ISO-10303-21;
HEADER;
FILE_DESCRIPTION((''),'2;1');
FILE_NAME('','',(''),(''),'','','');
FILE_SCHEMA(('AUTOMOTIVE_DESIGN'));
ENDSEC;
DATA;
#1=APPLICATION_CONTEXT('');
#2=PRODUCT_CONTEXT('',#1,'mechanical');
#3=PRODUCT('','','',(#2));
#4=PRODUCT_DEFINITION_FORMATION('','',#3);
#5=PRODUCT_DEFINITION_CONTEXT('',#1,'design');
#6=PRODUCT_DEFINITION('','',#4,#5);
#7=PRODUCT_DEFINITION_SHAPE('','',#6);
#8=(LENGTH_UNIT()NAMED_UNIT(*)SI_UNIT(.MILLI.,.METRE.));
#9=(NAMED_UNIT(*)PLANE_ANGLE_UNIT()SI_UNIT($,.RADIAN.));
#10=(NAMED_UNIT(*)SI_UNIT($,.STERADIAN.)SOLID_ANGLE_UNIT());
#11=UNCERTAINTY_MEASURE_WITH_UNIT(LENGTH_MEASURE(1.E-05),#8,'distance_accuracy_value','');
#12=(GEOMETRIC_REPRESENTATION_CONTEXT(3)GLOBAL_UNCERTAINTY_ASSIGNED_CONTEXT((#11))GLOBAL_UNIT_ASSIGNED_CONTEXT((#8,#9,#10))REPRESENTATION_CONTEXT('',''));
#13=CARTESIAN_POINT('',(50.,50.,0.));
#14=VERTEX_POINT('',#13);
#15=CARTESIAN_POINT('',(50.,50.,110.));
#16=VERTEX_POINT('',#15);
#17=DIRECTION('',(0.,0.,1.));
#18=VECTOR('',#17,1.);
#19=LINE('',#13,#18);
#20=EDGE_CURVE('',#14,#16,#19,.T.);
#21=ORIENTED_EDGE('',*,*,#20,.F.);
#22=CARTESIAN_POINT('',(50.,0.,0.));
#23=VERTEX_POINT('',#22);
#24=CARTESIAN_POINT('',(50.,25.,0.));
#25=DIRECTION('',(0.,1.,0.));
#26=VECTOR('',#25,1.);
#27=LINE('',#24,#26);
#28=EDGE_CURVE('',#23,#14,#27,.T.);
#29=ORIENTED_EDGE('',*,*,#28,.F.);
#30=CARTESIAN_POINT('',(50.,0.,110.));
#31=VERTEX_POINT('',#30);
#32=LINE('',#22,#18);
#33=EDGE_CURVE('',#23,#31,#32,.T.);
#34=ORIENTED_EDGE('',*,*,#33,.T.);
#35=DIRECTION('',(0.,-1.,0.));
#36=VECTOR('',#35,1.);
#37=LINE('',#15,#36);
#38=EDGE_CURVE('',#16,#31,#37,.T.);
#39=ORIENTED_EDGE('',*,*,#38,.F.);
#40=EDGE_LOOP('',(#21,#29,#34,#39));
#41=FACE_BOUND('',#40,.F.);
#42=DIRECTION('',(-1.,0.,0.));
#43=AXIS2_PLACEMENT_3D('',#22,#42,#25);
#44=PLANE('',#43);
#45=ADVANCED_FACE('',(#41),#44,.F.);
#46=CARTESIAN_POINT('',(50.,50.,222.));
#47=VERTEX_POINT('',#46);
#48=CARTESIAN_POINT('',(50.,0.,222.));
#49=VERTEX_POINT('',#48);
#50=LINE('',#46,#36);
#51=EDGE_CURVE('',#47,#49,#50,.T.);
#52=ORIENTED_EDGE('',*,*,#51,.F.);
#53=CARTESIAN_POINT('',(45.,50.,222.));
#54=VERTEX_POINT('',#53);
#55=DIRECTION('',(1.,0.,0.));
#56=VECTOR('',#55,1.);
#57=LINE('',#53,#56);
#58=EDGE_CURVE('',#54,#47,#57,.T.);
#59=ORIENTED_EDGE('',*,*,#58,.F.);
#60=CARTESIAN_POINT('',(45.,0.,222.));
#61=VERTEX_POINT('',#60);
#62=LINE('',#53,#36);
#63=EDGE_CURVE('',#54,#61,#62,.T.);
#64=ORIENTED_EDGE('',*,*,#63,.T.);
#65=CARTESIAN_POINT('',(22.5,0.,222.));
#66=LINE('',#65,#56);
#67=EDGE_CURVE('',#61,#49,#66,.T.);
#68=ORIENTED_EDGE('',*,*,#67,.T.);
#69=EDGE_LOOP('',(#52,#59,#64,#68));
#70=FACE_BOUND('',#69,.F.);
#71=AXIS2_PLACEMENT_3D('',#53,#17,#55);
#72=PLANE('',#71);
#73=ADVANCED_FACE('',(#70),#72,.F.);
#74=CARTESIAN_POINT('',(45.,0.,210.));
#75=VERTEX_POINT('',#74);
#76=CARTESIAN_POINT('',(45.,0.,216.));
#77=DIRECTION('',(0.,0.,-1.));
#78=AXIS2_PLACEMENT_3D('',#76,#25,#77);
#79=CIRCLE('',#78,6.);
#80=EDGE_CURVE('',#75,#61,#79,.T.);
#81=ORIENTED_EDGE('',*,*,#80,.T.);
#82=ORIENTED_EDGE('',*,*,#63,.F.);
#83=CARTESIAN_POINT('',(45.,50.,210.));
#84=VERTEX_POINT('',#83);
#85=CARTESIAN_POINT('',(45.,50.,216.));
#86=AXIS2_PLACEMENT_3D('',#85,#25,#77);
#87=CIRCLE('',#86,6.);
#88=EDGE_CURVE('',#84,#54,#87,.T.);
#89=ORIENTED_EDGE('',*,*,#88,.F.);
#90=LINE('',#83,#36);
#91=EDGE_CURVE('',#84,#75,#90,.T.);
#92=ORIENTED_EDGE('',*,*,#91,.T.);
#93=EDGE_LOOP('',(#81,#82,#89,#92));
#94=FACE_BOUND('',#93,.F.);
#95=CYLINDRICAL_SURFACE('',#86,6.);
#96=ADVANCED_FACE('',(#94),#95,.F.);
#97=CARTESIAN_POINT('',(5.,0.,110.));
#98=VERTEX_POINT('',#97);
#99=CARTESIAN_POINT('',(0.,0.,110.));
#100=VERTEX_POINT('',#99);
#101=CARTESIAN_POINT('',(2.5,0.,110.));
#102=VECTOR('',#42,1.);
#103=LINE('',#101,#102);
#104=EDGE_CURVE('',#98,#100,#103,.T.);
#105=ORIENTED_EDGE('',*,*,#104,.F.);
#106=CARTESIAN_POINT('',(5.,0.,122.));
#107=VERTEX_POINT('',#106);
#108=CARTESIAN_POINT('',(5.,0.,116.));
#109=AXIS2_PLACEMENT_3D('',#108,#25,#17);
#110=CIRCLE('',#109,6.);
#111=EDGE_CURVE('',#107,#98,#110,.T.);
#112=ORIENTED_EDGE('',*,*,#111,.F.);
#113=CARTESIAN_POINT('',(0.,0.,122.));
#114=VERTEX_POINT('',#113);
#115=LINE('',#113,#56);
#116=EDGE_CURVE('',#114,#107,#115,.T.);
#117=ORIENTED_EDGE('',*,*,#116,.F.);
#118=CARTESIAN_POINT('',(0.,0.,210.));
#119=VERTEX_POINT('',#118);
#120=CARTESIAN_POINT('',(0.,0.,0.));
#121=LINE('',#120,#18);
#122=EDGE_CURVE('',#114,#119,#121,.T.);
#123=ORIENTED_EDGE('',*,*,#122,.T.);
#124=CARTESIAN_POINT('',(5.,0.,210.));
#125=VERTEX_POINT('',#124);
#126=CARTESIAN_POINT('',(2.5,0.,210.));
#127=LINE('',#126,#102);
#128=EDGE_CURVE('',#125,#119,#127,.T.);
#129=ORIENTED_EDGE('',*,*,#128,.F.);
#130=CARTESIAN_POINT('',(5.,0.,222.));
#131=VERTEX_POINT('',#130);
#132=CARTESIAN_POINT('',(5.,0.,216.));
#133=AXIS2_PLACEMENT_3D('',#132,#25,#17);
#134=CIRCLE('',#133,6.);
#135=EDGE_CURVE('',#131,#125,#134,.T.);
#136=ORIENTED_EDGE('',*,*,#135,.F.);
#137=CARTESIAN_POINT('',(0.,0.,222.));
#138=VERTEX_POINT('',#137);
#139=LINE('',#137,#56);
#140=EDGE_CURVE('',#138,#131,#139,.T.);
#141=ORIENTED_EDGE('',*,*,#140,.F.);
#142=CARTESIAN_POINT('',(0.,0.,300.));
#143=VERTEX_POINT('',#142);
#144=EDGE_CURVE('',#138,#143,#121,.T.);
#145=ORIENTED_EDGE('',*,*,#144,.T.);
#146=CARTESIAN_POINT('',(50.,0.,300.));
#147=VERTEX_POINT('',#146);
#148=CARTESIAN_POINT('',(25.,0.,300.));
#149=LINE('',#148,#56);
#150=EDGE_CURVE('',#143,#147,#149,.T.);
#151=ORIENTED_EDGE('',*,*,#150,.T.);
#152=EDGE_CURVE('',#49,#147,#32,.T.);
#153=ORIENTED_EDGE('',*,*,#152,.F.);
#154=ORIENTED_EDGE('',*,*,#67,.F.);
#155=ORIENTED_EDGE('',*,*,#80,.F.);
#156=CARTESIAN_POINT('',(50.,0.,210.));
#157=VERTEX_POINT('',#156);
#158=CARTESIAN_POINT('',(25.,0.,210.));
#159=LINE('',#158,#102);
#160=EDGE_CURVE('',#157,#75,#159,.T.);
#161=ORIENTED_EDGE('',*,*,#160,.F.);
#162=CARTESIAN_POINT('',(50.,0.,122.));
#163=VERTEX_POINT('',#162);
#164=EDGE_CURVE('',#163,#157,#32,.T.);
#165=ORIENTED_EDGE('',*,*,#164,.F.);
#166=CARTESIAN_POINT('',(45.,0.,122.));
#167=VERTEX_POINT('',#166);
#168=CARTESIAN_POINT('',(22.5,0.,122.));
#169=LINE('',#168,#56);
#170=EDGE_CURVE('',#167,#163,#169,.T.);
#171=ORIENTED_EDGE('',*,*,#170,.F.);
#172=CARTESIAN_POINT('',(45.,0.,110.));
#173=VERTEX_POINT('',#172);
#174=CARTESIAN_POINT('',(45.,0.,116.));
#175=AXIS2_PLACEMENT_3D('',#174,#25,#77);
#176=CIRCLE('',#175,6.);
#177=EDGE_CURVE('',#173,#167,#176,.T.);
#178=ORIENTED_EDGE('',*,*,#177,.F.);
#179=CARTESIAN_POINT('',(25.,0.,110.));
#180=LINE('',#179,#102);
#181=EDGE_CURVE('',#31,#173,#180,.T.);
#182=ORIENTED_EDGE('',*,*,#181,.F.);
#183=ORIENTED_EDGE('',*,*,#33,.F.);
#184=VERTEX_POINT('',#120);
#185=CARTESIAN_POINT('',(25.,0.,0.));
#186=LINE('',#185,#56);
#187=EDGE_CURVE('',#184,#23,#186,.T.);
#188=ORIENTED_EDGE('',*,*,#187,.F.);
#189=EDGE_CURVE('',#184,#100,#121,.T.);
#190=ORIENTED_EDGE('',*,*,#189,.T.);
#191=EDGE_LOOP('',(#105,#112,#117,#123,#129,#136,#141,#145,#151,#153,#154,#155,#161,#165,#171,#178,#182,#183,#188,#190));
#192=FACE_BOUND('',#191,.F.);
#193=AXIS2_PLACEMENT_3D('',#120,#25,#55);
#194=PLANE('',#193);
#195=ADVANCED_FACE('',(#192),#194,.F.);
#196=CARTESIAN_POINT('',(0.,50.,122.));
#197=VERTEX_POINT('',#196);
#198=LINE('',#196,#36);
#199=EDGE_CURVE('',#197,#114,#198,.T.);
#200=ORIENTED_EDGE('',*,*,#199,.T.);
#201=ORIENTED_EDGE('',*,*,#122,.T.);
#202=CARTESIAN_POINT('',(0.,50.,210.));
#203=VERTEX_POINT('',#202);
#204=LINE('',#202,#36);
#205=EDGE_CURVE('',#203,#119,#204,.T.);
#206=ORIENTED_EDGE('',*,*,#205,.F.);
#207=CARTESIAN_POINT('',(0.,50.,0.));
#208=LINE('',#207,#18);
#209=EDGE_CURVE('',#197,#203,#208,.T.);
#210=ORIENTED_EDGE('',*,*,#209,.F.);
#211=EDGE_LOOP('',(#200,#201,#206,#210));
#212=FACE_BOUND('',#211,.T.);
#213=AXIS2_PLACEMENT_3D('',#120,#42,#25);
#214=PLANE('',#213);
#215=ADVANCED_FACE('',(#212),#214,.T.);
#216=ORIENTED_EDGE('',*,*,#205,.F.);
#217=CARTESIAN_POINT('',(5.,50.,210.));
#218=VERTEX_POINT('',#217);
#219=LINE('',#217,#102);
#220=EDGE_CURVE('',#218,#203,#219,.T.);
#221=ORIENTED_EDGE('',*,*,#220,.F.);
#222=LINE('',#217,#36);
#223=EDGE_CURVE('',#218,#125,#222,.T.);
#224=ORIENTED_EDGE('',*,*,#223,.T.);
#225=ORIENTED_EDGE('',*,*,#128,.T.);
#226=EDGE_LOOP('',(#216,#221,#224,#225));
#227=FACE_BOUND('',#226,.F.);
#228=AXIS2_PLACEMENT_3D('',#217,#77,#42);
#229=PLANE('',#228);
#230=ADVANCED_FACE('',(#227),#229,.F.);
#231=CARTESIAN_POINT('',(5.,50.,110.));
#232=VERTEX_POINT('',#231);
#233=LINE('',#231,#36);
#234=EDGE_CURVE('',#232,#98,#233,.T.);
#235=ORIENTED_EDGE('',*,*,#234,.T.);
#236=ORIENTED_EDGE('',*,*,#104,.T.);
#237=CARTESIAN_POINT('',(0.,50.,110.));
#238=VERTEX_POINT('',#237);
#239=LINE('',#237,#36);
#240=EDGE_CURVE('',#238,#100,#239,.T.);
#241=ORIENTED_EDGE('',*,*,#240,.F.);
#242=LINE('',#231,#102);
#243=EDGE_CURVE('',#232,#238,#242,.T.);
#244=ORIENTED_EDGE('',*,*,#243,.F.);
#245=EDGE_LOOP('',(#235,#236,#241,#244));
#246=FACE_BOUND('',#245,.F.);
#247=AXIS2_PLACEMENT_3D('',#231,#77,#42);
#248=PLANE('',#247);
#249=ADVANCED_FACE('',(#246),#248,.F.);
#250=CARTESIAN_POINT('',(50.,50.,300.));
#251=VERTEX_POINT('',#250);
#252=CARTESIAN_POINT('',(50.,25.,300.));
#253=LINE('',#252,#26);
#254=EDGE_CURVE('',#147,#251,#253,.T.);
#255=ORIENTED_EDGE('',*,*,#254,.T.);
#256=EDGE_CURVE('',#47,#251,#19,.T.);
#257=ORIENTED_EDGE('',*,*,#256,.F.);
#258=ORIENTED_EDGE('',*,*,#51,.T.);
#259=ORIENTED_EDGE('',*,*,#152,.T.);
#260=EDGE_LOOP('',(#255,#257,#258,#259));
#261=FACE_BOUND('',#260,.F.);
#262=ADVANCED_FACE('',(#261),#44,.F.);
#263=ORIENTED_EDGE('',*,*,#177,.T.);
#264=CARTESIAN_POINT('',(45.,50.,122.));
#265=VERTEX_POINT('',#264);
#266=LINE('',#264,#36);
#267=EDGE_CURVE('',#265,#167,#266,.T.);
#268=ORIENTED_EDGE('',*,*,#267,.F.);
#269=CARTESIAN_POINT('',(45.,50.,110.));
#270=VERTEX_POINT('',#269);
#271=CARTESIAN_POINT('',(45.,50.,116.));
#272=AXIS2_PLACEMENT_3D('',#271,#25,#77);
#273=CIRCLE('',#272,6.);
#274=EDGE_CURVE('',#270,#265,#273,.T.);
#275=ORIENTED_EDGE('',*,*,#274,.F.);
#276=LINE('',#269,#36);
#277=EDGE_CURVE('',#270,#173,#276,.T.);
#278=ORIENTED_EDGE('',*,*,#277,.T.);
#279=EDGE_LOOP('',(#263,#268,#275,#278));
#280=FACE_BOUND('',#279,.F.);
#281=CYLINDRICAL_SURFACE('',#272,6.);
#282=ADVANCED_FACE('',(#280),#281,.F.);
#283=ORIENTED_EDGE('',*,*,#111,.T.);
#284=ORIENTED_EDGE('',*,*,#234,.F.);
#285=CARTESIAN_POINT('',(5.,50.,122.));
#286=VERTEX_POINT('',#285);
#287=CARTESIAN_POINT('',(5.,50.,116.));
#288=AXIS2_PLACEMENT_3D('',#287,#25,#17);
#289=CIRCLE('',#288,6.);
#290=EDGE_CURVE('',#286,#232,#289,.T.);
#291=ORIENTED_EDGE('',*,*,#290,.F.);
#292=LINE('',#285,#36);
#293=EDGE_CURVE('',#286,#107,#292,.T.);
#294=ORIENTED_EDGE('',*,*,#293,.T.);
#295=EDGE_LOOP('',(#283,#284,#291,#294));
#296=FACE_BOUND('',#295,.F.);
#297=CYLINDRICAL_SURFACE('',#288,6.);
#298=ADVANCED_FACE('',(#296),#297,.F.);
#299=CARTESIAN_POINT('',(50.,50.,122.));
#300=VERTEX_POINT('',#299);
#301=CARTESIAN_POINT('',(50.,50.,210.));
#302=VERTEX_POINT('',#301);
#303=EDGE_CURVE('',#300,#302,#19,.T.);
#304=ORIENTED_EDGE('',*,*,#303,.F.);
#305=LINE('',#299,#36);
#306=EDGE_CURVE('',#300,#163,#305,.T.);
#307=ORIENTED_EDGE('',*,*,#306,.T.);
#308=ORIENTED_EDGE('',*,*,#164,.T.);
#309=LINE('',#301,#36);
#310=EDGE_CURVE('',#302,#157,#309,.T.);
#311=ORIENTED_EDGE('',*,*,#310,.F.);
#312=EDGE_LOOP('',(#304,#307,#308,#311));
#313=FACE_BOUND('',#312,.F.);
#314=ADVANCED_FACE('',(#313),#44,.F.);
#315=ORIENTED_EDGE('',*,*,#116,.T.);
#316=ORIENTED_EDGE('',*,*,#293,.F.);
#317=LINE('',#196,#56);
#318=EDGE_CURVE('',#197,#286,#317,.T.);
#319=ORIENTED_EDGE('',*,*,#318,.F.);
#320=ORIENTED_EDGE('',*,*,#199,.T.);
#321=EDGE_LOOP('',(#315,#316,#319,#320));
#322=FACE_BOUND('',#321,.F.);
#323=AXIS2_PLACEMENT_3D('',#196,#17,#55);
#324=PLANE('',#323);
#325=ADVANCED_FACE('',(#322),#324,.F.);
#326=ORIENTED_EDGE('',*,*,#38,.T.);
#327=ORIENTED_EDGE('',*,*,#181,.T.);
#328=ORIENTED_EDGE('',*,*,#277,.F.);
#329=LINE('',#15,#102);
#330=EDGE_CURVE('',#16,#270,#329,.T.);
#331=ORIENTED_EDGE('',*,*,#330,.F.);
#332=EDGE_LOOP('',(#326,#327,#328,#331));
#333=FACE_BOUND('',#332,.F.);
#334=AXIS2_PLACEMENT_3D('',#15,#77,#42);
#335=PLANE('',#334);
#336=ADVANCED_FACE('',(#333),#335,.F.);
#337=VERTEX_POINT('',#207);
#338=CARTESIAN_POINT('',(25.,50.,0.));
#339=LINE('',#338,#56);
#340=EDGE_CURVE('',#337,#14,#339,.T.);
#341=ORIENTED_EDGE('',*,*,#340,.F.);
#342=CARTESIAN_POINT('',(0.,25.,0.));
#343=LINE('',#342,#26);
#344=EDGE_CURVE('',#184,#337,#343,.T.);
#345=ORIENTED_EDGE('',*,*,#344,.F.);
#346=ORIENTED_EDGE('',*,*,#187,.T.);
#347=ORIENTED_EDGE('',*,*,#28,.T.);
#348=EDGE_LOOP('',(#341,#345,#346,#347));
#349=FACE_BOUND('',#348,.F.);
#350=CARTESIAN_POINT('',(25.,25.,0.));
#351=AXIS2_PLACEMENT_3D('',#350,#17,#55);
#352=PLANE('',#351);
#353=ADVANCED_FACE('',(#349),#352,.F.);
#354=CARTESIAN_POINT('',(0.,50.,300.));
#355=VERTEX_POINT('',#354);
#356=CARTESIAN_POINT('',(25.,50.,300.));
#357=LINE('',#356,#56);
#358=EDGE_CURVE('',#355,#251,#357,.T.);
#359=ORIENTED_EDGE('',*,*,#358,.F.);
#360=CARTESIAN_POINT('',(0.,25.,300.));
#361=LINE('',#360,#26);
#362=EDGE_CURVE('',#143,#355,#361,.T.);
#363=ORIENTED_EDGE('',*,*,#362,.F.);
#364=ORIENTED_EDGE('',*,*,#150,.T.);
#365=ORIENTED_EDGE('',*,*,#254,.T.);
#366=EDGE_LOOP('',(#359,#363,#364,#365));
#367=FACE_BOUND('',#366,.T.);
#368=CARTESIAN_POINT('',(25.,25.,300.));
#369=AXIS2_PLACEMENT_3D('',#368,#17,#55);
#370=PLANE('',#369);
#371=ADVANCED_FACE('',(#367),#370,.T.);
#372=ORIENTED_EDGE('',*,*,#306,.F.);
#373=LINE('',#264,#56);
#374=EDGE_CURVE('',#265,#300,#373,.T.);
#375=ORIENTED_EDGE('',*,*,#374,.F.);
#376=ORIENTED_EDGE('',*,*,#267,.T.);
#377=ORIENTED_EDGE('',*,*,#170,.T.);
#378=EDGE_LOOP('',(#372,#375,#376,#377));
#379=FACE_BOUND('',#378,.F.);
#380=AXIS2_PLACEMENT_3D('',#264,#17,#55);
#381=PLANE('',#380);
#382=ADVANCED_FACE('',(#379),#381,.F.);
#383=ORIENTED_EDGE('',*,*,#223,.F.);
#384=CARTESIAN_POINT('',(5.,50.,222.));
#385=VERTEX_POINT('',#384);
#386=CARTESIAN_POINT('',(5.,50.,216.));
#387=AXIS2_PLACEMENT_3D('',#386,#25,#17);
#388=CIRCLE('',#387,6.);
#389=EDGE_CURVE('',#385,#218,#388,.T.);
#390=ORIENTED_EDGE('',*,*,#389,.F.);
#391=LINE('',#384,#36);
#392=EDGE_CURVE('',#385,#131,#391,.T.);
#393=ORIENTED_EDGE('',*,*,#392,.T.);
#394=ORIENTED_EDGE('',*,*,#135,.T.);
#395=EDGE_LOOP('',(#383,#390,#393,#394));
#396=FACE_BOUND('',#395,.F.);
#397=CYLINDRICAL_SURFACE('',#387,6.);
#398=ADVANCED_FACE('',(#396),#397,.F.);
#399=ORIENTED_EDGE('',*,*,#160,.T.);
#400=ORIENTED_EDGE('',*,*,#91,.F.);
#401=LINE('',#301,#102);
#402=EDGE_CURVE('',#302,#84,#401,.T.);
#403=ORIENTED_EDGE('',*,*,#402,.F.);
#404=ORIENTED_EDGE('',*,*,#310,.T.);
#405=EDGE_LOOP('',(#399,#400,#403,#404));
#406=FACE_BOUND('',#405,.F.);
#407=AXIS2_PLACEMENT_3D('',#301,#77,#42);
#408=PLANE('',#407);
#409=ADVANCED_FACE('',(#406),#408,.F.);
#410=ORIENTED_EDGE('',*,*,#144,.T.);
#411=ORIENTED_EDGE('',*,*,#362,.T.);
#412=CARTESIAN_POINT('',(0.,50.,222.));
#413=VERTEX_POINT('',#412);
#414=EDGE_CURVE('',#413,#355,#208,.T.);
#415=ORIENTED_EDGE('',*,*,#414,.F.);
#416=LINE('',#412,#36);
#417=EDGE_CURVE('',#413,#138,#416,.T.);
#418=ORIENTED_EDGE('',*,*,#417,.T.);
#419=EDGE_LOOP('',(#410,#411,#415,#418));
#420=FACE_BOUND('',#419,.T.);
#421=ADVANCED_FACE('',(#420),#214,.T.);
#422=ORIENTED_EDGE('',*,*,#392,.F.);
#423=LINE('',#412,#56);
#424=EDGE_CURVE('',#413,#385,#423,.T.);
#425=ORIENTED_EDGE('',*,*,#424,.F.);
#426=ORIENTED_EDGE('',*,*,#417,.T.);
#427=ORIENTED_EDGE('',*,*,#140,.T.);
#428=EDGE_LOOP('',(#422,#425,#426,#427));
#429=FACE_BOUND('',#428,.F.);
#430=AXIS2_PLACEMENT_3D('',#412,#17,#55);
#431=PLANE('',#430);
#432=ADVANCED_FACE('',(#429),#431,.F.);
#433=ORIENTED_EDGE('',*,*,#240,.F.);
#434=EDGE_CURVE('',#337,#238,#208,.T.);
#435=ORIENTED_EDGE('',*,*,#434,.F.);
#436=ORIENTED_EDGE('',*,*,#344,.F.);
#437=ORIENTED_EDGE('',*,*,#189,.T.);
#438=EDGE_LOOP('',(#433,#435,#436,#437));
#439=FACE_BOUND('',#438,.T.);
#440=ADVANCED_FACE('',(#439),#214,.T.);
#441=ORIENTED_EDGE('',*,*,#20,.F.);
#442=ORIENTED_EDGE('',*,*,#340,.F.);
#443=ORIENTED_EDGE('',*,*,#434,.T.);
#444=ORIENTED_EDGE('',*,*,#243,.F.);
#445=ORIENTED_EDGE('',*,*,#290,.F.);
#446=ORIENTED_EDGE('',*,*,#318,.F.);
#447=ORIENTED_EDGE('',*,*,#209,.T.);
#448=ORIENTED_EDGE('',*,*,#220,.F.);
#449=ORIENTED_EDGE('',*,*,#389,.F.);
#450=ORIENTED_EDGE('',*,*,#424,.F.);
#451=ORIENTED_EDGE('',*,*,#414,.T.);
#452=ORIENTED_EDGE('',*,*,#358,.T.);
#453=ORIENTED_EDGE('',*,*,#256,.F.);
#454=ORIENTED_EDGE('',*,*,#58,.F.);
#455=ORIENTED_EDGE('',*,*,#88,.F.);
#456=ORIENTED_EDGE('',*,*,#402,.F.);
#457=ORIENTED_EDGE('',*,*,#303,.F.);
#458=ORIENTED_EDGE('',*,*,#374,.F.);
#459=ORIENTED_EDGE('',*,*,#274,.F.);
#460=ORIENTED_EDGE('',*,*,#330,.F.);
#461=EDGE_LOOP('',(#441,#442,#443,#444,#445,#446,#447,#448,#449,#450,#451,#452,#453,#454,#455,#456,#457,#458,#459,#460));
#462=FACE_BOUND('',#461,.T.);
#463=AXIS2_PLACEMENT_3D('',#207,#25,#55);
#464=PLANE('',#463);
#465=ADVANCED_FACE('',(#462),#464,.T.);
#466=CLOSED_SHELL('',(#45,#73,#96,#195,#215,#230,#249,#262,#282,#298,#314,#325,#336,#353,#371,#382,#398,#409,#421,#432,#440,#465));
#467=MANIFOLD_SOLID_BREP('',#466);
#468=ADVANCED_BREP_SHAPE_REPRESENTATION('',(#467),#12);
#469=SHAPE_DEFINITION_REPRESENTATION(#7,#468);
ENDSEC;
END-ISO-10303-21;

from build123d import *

# Parameters (mm, degrees)
F0_W     = 50
F0_H     = 50
F1_DEPTH = 300
F3_DEPTH = 50.001


with BuildPart() as f1:
    # F0 (on Top) → F1 (new body)
    with BuildSketch(Plane.XY):
        with Locations((25, 25)):
            Rectangle(F0_W, F0_H)
    extrude(amount=F1_DEPTH)

    # F2 (on face) → F3 (cut, through all)
    with BuildSketch(Plane(origin=(0, 50, 0), x_dir=(-1, 0, 0), z_dir=(0, 1, 0))):
        with BuildLine():
            Line((-50, 210), (-45, 210))
            ThreePointArc((-45, 210), (-39, 216), (-45, 222))
            Line((-45, 222), (-50, 222))
            Line((-50, 222), (-50, 210))
        make_face()
        with BuildLine():
            Line((0, 222), (-5, 222))
            ThreePointArc((-5, 222), (-11, 216), (-5, 210))
            Line((-5, 210), (0, 210))
            Line((0, 210), (0, 222))
        make_face()
        with BuildLine():
            Line((-50, 110), (-45, 110))
            ThreePointArc((-45, 110), (-39, 116), (-45, 122))
            Line((-45, 122), (-50, 122))
            Line((-50, 122), (-50, 110))
        make_face()
        with BuildLine():
            Line((0, 122), (-5, 122))
            ThreePointArc((-5, 122), (-11, 116), (-5, 110))
            Line((-5, 110), (0, 110))
            Line((0, 110), (0, 122))
        make_face()
    extrude(amount=-F3_DEPTH, mode=Mode.SUBTRACT)


solid = f1.part
